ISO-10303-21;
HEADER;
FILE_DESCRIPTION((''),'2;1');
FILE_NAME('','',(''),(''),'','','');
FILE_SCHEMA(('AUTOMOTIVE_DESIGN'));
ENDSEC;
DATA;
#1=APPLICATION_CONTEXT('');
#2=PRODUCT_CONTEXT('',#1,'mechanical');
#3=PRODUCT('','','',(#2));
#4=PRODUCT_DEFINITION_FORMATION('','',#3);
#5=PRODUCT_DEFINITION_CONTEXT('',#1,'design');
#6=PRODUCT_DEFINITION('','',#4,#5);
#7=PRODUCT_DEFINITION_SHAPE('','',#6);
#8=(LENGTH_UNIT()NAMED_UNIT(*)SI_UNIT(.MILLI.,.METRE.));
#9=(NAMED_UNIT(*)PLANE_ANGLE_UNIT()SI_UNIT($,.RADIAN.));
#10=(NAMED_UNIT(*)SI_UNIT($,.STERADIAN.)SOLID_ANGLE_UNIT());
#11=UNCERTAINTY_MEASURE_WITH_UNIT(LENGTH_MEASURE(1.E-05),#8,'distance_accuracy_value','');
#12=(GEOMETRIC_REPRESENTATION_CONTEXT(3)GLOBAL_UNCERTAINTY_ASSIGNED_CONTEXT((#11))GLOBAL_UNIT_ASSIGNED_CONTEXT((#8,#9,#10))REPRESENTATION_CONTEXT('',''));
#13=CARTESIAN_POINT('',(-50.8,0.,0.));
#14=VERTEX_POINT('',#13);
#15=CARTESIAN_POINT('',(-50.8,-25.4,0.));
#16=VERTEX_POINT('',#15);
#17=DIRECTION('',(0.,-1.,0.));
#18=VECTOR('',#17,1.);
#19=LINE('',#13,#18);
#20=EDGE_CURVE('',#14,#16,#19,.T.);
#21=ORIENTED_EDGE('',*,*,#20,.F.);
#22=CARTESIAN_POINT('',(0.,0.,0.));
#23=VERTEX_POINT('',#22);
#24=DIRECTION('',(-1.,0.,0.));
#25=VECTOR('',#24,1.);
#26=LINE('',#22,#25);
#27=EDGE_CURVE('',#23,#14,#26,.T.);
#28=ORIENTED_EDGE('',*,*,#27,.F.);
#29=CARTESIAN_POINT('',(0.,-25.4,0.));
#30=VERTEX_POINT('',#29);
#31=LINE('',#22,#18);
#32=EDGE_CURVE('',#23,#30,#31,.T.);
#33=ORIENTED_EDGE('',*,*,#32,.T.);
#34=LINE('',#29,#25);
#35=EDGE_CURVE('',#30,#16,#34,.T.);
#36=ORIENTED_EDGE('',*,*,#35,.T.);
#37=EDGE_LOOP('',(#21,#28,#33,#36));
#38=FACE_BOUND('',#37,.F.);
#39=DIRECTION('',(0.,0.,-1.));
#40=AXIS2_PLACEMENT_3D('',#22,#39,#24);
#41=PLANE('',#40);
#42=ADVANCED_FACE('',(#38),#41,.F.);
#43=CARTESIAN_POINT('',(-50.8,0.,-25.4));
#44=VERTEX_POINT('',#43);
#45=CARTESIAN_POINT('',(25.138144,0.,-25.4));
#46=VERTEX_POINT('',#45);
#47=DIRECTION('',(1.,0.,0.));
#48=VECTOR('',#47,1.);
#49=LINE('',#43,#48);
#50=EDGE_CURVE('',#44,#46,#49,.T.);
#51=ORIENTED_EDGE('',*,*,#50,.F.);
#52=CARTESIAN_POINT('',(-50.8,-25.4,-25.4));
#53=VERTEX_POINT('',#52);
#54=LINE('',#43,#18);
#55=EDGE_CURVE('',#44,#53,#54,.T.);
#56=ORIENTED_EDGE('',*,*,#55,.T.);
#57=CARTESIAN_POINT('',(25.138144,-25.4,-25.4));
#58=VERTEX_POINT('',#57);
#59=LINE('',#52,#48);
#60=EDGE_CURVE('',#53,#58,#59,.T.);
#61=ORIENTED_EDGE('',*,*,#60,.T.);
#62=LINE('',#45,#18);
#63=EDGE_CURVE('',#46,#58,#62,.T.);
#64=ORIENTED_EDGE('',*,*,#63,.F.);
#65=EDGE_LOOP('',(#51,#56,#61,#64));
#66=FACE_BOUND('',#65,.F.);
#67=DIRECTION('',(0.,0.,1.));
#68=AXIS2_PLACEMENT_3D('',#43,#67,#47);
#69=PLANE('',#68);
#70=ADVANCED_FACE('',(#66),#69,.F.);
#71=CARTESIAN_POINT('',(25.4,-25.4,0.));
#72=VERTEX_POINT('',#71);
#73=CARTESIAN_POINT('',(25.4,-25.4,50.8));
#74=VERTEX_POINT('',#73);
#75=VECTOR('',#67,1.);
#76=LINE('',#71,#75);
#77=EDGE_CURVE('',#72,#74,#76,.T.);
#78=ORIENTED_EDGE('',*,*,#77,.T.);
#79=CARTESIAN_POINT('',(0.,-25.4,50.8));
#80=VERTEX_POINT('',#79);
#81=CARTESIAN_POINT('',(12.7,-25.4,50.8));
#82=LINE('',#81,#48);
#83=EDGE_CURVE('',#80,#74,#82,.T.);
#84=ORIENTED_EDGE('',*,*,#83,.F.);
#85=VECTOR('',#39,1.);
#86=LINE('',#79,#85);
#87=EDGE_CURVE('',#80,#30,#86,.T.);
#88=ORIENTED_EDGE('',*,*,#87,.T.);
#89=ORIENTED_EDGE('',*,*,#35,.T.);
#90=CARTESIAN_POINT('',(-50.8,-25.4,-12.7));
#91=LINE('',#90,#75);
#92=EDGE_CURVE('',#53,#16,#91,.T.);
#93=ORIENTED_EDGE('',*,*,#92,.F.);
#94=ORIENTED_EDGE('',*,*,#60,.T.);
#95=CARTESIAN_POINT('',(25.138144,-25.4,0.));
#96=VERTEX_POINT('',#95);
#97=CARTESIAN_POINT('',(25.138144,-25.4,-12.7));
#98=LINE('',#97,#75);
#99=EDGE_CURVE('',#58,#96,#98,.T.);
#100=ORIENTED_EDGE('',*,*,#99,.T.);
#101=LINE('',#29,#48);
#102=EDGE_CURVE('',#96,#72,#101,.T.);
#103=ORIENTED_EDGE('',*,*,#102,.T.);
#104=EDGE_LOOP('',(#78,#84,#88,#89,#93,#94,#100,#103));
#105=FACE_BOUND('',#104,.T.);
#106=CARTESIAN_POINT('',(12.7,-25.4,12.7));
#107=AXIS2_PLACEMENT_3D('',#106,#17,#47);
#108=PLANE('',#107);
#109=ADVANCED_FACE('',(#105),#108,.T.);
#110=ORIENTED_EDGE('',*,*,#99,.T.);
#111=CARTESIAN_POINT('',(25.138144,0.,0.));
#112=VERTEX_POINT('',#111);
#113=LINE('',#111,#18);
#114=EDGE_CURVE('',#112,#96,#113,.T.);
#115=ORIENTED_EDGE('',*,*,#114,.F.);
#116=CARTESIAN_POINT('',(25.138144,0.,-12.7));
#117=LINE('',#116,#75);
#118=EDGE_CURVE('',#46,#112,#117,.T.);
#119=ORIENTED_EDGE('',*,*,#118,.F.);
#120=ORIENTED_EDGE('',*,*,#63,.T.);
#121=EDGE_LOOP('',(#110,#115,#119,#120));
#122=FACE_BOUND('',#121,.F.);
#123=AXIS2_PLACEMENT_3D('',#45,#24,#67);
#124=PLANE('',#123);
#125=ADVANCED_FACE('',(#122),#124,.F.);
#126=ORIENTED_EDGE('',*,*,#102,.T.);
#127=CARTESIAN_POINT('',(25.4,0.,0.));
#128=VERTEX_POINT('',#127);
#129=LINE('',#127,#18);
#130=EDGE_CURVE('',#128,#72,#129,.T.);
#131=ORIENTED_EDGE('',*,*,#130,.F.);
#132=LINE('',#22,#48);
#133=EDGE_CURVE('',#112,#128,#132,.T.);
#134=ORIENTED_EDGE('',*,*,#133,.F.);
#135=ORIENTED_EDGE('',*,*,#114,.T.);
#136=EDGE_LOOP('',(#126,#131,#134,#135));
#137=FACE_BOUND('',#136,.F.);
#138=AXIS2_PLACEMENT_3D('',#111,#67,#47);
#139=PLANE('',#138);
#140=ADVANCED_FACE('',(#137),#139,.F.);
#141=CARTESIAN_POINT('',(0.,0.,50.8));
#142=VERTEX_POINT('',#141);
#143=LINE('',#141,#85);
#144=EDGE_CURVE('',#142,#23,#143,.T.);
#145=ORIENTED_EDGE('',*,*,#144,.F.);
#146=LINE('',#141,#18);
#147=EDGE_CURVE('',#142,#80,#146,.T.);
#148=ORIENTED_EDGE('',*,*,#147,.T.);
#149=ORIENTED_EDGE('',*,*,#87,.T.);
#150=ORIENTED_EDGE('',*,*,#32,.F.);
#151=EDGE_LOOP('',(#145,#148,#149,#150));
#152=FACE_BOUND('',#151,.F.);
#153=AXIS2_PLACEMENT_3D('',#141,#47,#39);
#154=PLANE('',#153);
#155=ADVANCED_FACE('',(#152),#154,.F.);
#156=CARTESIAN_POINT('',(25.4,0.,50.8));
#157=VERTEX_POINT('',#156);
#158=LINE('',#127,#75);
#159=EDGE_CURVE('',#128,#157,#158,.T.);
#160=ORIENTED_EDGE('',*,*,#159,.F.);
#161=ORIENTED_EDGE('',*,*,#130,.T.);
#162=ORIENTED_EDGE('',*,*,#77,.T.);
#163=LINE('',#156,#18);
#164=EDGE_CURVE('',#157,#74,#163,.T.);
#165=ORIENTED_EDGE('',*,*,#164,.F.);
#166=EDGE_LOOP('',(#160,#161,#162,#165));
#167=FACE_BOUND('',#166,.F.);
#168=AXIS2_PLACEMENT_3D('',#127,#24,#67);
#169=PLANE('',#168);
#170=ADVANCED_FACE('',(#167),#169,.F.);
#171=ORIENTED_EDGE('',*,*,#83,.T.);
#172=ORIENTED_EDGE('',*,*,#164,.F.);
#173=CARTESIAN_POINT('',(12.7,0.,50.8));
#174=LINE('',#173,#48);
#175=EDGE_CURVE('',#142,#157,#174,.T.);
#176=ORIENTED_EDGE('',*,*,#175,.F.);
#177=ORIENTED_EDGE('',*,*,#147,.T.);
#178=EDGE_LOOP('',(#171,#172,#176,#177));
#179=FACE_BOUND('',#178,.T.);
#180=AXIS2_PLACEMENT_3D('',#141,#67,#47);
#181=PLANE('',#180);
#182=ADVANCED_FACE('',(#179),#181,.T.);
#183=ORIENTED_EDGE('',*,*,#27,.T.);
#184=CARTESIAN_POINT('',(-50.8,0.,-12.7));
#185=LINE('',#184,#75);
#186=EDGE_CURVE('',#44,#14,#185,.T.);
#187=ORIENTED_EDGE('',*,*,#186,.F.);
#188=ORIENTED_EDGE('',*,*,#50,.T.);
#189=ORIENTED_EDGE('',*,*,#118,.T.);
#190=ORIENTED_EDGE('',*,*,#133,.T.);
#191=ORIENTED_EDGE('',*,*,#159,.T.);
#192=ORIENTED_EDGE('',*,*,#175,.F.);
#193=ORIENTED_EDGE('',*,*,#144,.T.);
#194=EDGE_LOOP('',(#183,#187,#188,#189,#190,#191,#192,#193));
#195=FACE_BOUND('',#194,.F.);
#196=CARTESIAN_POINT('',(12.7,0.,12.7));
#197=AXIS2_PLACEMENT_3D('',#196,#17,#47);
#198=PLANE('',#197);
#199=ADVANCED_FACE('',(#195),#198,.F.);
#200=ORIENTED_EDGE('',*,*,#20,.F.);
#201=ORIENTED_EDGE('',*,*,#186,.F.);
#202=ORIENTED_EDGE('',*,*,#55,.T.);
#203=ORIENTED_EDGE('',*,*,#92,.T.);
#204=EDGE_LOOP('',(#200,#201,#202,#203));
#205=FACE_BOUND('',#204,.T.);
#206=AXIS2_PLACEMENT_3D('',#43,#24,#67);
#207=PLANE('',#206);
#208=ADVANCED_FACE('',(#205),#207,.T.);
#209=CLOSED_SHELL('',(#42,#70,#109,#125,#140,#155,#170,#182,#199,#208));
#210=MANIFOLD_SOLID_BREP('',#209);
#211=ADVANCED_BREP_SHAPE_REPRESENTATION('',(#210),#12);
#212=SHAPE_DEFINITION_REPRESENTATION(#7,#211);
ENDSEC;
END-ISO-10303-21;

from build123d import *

# Parameters (mm, degrees)
F0_W     = 25.138144
F0_H     = 25.4
F0_W_2   = 25.4
F1_DEPTH = 25.4


with BuildPart() as f1:
    # F0 (on Front) → F1 (new body)
    with BuildSketch(Plane.XZ):
        Polygon((0, 25.4), (0, 0), (25.138144, 0), (25.4, 0), (25.4, 25.4), align=None)
        with Locations((12.569072, -12.7)):
            Rectangle(F0_W, F0_H)
        with Locations((-12.7, -12.7)):
            Rectangle(F0_W_2, F0_H)
        with Locations((-38.1, -12.7)):
            Rectangle(F0_W_2, F0_H)
        with Locations((12.7, 38.1)):
            Rectangle(F0_W_2, F0_H)
    extrude(amount=F1_DEPTH)


solid = f1.part
